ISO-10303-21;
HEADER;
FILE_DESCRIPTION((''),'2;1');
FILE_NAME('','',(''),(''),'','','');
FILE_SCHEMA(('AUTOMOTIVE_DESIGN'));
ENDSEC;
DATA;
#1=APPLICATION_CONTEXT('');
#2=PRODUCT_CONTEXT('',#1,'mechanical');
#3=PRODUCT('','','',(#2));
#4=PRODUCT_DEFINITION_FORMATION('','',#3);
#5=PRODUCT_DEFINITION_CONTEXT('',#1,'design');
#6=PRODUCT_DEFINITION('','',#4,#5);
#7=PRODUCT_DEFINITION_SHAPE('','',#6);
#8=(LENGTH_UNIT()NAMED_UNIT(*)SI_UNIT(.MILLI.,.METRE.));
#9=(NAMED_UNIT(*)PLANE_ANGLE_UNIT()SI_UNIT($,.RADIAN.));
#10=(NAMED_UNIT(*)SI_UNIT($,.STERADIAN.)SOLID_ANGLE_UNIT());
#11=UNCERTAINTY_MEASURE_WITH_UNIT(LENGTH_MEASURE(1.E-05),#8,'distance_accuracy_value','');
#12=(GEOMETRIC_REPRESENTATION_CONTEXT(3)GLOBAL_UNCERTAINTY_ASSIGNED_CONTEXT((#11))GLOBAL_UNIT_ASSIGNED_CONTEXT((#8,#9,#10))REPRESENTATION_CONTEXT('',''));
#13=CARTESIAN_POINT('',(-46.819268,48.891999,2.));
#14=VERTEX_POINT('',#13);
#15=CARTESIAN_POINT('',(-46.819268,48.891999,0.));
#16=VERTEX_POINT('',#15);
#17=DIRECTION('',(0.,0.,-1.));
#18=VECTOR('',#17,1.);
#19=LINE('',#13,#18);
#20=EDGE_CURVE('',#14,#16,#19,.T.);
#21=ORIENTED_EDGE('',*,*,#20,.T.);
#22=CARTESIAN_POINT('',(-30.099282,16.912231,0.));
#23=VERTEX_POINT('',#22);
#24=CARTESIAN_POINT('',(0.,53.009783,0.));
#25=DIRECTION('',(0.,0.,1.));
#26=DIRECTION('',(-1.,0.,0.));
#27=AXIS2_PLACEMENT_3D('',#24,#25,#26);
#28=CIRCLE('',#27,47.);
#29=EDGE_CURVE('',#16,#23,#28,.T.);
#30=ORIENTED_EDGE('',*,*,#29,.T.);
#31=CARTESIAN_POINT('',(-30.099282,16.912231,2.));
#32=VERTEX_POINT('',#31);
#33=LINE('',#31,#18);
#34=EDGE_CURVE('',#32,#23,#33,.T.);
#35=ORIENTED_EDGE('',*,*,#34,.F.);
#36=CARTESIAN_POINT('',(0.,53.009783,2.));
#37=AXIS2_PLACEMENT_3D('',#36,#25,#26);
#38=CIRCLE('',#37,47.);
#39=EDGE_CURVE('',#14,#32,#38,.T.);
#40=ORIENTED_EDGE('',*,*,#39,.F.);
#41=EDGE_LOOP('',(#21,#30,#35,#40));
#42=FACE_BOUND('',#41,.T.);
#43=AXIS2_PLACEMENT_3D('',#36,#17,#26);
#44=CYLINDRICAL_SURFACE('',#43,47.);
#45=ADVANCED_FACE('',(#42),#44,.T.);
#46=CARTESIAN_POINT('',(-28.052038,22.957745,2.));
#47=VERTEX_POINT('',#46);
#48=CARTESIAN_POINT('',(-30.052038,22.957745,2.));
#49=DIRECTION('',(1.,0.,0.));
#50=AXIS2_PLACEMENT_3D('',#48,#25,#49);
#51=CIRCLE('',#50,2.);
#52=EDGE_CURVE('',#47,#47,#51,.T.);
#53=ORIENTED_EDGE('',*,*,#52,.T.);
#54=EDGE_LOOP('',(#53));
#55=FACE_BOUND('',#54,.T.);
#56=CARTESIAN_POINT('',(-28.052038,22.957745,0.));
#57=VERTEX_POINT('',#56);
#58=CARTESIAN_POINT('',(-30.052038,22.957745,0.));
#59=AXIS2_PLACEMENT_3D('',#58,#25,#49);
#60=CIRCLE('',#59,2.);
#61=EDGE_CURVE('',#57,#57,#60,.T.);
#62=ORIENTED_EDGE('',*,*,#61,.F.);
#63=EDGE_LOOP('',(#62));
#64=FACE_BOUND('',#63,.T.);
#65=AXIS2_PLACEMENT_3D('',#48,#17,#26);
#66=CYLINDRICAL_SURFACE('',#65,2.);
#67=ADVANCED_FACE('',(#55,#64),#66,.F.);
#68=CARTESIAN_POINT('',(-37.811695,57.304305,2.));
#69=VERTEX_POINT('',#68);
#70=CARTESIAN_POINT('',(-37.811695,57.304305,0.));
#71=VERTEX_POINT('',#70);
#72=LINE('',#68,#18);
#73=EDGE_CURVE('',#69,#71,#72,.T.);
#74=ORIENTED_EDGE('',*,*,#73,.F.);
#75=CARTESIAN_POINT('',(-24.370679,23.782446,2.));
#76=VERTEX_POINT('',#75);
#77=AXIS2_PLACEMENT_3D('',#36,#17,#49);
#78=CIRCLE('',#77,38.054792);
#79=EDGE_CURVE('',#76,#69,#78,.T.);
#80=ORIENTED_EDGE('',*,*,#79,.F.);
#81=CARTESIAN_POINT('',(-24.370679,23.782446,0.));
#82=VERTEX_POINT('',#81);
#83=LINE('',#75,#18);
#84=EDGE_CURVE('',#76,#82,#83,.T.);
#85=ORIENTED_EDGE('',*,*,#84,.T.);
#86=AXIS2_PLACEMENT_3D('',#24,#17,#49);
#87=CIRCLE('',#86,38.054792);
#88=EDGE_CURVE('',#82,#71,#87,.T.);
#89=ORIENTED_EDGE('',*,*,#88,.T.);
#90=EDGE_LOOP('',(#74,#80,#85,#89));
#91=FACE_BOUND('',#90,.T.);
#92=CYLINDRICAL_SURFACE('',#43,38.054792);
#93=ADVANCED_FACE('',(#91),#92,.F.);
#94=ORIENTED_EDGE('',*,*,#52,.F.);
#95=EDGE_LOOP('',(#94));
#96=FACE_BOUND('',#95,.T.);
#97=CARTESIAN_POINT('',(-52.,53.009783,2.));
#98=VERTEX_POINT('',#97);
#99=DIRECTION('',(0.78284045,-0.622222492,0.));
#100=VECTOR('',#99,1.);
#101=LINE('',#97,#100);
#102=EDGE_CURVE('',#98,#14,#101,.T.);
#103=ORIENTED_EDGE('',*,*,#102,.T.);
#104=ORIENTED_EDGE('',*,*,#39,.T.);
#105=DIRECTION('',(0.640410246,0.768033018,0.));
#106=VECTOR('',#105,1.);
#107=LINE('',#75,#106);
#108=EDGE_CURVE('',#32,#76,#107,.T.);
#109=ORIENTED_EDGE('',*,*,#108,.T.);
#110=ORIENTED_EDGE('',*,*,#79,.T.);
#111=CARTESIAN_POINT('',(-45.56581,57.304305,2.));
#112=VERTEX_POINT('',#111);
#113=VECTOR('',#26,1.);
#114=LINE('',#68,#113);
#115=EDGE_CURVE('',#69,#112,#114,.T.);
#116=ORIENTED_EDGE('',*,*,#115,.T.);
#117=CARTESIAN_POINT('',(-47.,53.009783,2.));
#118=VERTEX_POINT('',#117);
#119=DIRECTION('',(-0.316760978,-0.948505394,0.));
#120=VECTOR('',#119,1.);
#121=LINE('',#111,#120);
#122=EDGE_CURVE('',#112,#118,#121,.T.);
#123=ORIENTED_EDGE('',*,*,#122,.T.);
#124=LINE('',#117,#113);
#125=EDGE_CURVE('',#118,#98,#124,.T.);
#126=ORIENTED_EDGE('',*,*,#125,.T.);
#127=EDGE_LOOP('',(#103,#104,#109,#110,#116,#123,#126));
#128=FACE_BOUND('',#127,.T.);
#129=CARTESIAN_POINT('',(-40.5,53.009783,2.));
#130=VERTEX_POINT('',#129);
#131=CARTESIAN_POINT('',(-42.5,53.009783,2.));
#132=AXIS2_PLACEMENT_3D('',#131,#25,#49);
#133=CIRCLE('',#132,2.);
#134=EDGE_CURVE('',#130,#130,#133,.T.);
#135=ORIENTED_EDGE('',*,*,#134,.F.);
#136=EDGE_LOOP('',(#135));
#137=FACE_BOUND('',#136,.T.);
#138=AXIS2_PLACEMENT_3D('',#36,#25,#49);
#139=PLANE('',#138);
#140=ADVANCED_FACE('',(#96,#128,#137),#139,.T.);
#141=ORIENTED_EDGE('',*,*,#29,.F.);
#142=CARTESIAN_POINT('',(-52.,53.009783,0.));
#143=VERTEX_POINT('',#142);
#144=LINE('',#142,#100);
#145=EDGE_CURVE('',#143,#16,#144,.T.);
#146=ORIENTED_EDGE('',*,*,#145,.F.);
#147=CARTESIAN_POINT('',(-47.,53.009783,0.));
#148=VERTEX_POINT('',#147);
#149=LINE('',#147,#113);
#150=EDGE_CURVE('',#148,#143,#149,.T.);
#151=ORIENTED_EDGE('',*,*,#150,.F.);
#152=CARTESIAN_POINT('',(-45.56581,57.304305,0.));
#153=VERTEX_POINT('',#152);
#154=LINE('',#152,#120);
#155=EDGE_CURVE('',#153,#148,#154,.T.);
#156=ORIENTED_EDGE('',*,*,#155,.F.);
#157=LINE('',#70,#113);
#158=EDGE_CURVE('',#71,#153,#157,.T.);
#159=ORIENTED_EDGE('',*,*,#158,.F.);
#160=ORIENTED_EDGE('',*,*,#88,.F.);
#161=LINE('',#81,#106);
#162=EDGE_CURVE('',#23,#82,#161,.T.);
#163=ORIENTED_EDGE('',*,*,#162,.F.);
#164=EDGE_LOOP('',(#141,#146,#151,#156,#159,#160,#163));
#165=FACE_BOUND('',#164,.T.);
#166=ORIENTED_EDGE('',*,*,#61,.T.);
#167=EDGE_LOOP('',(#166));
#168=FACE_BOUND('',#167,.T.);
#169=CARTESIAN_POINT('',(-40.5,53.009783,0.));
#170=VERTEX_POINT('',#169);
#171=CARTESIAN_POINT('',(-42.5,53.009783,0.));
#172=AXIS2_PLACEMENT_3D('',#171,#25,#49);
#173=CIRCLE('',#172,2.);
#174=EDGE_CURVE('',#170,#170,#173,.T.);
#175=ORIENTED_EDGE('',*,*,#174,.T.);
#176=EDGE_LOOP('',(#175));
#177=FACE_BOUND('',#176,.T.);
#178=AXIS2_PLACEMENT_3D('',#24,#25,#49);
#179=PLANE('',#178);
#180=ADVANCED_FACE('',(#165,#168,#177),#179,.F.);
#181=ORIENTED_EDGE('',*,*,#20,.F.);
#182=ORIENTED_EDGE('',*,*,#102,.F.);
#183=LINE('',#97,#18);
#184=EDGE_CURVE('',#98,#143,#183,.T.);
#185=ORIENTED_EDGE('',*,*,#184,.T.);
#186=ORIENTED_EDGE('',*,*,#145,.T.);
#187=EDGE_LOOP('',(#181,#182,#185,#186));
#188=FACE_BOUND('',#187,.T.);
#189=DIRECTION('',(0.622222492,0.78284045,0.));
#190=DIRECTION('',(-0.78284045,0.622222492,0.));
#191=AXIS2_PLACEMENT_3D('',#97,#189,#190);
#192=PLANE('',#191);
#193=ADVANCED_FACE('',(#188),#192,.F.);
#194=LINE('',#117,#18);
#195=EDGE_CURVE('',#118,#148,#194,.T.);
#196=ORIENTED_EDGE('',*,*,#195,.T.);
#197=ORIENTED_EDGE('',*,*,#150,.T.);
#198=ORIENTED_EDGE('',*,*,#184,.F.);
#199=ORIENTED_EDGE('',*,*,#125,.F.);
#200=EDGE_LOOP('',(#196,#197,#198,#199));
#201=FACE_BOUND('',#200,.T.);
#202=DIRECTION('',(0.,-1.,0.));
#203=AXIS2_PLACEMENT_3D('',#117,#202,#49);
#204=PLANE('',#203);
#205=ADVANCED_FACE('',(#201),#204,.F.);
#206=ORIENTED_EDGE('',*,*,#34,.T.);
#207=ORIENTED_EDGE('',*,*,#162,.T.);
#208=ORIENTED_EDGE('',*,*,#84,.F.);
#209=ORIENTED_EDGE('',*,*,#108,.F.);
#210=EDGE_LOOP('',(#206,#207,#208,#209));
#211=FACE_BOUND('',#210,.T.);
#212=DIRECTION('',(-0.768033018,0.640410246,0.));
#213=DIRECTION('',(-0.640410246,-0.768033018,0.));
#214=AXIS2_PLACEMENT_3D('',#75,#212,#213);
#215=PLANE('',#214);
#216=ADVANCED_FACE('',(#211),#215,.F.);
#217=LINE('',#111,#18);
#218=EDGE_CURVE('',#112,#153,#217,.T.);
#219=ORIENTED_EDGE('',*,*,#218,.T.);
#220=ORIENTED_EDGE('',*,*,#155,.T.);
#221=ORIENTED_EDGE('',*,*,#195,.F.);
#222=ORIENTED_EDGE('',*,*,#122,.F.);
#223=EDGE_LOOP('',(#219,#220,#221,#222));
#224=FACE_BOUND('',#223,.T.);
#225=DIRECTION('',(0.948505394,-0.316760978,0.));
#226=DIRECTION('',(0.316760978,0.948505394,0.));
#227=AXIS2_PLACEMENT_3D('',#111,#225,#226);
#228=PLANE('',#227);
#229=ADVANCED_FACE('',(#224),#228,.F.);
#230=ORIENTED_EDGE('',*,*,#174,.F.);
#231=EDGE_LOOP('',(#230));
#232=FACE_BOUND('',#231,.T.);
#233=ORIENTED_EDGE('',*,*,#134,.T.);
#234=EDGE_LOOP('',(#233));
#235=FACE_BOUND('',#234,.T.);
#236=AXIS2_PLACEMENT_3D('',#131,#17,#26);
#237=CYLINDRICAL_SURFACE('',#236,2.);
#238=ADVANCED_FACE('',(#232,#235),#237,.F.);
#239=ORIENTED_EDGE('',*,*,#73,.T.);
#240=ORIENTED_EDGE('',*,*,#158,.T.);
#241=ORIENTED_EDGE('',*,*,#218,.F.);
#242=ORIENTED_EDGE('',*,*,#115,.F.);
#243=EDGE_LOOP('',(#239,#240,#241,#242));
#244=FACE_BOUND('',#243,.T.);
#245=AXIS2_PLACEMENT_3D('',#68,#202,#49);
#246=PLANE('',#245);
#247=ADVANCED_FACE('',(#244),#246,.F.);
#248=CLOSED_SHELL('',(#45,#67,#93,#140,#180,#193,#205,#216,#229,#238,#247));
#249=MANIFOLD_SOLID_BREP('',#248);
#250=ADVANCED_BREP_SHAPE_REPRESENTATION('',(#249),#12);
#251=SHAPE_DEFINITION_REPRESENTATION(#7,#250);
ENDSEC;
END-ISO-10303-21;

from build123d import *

# Parameters (mm, degrees)
SKETCH_3_R      = 2
EXTRUDE_1_DEPTH = 2


with BuildPart() as part:
    # 草图3 → 凸台-拉伸1 (new body)
    with BuildSketch(Plane.XY):
        with BuildLine():
            Line((-24.370679003, 23.782446214), (-30.099281566, 16.91223147))
            ThreePointArc((-30.099281566, 16.91223147), (-41.650836745, 31.233470531), (-46.819267976, 48.891999177))
            Line((-46.819267976, 48.891999177), (-52, 53.009783315))
            Line((-52, 53.009783315), (-47, 53.009783315))
            Line((-47, 53.009783315), (-45.565810046, 57.304305059))
            Line((-45.565810046, 57.304305059), (-37.81169544, 57.304305059))
            ThreePointArc((-37.81169544, 57.304305059), (-35.321249666, 38.8472782), (-24.370679003, 23.782446214))
        make_face()
        with Locations((-30.0520382, 22.957745114)):
            Circle(SKETCH_3_R, mode=Mode.SUBTRACT)
        with Locations((-42.5, 53.009783315)):
            Circle(SKETCH_3_R, mode=Mode.SUBTRACT)
    extrude(amount=EXTRUDE_1_DEPTH)


solid = part.part
